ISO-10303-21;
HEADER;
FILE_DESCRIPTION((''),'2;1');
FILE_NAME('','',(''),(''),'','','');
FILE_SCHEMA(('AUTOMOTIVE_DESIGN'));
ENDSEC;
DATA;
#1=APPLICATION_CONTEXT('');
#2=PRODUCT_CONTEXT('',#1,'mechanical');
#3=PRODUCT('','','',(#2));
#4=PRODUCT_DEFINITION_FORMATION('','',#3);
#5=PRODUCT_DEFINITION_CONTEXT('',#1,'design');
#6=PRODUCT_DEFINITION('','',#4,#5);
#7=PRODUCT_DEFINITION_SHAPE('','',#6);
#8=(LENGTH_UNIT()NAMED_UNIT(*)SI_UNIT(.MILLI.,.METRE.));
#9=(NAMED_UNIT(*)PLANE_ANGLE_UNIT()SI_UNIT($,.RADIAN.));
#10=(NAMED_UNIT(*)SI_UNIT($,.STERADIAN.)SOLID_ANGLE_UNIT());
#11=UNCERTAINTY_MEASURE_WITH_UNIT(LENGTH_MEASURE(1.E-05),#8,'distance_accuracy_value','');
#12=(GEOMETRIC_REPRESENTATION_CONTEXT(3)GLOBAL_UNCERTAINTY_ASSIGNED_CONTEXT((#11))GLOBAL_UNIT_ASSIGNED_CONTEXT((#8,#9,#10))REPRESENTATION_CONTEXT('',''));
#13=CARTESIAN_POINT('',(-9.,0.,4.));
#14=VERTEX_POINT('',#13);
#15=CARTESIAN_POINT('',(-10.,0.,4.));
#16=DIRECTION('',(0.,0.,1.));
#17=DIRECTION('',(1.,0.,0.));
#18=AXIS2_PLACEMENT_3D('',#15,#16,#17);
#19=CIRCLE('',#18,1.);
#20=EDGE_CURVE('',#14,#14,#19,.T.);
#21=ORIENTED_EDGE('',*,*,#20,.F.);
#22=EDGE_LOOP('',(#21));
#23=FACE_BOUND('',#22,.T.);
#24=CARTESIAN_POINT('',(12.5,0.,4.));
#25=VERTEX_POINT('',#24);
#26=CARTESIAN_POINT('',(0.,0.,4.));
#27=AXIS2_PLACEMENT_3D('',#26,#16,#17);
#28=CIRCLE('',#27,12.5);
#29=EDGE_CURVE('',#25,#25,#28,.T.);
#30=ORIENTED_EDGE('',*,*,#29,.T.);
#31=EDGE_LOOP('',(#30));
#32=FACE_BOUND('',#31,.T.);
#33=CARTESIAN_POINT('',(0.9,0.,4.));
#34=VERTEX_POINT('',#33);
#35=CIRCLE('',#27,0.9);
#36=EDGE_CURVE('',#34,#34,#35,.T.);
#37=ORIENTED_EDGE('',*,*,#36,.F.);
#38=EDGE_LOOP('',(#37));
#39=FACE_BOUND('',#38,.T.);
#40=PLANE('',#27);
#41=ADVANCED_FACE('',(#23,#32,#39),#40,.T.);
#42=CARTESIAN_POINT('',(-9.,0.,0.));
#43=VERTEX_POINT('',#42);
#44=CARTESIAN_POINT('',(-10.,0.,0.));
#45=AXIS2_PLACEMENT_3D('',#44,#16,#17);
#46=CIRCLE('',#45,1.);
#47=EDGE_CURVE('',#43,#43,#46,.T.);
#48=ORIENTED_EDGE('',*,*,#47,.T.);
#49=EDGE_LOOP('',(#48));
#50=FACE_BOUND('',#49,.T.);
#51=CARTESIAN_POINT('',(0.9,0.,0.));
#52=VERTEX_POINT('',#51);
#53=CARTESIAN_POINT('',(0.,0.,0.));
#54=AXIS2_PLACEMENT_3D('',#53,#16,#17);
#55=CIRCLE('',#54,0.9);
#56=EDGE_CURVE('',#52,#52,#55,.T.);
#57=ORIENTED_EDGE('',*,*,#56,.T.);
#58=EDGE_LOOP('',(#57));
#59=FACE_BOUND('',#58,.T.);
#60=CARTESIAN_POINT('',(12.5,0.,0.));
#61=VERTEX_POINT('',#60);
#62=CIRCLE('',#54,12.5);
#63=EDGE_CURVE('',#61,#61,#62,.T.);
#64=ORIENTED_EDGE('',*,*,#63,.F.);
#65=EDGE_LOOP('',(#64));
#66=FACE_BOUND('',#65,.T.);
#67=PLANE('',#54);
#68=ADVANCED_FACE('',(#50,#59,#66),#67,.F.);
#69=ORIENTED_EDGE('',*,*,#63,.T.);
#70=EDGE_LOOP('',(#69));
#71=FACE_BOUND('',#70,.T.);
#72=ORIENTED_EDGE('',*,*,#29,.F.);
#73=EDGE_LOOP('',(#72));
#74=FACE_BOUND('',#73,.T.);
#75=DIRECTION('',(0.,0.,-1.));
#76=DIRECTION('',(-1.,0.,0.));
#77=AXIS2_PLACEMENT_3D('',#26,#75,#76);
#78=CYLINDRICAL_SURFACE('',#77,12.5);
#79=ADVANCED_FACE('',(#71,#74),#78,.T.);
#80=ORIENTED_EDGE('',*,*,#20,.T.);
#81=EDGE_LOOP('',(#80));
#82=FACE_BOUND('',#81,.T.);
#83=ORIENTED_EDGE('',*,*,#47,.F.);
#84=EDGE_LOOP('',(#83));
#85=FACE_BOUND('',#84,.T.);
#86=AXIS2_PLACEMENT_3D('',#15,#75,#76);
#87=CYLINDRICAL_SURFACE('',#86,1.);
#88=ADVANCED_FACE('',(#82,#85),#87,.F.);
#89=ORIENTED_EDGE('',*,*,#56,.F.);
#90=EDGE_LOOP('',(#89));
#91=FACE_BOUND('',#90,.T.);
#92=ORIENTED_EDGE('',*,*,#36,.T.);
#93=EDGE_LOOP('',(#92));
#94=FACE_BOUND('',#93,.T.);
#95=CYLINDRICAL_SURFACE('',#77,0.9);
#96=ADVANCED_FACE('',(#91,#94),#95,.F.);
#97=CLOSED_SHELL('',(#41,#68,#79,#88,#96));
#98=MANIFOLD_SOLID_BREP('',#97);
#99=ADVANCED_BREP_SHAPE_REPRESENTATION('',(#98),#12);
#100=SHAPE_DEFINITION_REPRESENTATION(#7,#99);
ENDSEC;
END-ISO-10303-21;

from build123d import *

# Parameters (mm, degrees)
SKETCH1_R           = 12.5
SKETCH1_R_2         = 0.9
SKETCH1_R_3         = 1
BOSS_EXTRUDE1_DEPTH = 4


with BuildPart() as part:
    # Sketch1 → Boss-Extrude1 (new body)
    with BuildSketch(Plane.XY):
        Circle(SKETCH1_R)
        Circle(SKETCH1_R_2, mode=Mode.SUBTRACT)
        with Locations((-10, 0)):
            Circle(SKETCH1_R_3, mode=Mode.SUBTRACT)
    extrude(amount=BOSS_EXTRUDE1_DEPTH)


solid = part.part
